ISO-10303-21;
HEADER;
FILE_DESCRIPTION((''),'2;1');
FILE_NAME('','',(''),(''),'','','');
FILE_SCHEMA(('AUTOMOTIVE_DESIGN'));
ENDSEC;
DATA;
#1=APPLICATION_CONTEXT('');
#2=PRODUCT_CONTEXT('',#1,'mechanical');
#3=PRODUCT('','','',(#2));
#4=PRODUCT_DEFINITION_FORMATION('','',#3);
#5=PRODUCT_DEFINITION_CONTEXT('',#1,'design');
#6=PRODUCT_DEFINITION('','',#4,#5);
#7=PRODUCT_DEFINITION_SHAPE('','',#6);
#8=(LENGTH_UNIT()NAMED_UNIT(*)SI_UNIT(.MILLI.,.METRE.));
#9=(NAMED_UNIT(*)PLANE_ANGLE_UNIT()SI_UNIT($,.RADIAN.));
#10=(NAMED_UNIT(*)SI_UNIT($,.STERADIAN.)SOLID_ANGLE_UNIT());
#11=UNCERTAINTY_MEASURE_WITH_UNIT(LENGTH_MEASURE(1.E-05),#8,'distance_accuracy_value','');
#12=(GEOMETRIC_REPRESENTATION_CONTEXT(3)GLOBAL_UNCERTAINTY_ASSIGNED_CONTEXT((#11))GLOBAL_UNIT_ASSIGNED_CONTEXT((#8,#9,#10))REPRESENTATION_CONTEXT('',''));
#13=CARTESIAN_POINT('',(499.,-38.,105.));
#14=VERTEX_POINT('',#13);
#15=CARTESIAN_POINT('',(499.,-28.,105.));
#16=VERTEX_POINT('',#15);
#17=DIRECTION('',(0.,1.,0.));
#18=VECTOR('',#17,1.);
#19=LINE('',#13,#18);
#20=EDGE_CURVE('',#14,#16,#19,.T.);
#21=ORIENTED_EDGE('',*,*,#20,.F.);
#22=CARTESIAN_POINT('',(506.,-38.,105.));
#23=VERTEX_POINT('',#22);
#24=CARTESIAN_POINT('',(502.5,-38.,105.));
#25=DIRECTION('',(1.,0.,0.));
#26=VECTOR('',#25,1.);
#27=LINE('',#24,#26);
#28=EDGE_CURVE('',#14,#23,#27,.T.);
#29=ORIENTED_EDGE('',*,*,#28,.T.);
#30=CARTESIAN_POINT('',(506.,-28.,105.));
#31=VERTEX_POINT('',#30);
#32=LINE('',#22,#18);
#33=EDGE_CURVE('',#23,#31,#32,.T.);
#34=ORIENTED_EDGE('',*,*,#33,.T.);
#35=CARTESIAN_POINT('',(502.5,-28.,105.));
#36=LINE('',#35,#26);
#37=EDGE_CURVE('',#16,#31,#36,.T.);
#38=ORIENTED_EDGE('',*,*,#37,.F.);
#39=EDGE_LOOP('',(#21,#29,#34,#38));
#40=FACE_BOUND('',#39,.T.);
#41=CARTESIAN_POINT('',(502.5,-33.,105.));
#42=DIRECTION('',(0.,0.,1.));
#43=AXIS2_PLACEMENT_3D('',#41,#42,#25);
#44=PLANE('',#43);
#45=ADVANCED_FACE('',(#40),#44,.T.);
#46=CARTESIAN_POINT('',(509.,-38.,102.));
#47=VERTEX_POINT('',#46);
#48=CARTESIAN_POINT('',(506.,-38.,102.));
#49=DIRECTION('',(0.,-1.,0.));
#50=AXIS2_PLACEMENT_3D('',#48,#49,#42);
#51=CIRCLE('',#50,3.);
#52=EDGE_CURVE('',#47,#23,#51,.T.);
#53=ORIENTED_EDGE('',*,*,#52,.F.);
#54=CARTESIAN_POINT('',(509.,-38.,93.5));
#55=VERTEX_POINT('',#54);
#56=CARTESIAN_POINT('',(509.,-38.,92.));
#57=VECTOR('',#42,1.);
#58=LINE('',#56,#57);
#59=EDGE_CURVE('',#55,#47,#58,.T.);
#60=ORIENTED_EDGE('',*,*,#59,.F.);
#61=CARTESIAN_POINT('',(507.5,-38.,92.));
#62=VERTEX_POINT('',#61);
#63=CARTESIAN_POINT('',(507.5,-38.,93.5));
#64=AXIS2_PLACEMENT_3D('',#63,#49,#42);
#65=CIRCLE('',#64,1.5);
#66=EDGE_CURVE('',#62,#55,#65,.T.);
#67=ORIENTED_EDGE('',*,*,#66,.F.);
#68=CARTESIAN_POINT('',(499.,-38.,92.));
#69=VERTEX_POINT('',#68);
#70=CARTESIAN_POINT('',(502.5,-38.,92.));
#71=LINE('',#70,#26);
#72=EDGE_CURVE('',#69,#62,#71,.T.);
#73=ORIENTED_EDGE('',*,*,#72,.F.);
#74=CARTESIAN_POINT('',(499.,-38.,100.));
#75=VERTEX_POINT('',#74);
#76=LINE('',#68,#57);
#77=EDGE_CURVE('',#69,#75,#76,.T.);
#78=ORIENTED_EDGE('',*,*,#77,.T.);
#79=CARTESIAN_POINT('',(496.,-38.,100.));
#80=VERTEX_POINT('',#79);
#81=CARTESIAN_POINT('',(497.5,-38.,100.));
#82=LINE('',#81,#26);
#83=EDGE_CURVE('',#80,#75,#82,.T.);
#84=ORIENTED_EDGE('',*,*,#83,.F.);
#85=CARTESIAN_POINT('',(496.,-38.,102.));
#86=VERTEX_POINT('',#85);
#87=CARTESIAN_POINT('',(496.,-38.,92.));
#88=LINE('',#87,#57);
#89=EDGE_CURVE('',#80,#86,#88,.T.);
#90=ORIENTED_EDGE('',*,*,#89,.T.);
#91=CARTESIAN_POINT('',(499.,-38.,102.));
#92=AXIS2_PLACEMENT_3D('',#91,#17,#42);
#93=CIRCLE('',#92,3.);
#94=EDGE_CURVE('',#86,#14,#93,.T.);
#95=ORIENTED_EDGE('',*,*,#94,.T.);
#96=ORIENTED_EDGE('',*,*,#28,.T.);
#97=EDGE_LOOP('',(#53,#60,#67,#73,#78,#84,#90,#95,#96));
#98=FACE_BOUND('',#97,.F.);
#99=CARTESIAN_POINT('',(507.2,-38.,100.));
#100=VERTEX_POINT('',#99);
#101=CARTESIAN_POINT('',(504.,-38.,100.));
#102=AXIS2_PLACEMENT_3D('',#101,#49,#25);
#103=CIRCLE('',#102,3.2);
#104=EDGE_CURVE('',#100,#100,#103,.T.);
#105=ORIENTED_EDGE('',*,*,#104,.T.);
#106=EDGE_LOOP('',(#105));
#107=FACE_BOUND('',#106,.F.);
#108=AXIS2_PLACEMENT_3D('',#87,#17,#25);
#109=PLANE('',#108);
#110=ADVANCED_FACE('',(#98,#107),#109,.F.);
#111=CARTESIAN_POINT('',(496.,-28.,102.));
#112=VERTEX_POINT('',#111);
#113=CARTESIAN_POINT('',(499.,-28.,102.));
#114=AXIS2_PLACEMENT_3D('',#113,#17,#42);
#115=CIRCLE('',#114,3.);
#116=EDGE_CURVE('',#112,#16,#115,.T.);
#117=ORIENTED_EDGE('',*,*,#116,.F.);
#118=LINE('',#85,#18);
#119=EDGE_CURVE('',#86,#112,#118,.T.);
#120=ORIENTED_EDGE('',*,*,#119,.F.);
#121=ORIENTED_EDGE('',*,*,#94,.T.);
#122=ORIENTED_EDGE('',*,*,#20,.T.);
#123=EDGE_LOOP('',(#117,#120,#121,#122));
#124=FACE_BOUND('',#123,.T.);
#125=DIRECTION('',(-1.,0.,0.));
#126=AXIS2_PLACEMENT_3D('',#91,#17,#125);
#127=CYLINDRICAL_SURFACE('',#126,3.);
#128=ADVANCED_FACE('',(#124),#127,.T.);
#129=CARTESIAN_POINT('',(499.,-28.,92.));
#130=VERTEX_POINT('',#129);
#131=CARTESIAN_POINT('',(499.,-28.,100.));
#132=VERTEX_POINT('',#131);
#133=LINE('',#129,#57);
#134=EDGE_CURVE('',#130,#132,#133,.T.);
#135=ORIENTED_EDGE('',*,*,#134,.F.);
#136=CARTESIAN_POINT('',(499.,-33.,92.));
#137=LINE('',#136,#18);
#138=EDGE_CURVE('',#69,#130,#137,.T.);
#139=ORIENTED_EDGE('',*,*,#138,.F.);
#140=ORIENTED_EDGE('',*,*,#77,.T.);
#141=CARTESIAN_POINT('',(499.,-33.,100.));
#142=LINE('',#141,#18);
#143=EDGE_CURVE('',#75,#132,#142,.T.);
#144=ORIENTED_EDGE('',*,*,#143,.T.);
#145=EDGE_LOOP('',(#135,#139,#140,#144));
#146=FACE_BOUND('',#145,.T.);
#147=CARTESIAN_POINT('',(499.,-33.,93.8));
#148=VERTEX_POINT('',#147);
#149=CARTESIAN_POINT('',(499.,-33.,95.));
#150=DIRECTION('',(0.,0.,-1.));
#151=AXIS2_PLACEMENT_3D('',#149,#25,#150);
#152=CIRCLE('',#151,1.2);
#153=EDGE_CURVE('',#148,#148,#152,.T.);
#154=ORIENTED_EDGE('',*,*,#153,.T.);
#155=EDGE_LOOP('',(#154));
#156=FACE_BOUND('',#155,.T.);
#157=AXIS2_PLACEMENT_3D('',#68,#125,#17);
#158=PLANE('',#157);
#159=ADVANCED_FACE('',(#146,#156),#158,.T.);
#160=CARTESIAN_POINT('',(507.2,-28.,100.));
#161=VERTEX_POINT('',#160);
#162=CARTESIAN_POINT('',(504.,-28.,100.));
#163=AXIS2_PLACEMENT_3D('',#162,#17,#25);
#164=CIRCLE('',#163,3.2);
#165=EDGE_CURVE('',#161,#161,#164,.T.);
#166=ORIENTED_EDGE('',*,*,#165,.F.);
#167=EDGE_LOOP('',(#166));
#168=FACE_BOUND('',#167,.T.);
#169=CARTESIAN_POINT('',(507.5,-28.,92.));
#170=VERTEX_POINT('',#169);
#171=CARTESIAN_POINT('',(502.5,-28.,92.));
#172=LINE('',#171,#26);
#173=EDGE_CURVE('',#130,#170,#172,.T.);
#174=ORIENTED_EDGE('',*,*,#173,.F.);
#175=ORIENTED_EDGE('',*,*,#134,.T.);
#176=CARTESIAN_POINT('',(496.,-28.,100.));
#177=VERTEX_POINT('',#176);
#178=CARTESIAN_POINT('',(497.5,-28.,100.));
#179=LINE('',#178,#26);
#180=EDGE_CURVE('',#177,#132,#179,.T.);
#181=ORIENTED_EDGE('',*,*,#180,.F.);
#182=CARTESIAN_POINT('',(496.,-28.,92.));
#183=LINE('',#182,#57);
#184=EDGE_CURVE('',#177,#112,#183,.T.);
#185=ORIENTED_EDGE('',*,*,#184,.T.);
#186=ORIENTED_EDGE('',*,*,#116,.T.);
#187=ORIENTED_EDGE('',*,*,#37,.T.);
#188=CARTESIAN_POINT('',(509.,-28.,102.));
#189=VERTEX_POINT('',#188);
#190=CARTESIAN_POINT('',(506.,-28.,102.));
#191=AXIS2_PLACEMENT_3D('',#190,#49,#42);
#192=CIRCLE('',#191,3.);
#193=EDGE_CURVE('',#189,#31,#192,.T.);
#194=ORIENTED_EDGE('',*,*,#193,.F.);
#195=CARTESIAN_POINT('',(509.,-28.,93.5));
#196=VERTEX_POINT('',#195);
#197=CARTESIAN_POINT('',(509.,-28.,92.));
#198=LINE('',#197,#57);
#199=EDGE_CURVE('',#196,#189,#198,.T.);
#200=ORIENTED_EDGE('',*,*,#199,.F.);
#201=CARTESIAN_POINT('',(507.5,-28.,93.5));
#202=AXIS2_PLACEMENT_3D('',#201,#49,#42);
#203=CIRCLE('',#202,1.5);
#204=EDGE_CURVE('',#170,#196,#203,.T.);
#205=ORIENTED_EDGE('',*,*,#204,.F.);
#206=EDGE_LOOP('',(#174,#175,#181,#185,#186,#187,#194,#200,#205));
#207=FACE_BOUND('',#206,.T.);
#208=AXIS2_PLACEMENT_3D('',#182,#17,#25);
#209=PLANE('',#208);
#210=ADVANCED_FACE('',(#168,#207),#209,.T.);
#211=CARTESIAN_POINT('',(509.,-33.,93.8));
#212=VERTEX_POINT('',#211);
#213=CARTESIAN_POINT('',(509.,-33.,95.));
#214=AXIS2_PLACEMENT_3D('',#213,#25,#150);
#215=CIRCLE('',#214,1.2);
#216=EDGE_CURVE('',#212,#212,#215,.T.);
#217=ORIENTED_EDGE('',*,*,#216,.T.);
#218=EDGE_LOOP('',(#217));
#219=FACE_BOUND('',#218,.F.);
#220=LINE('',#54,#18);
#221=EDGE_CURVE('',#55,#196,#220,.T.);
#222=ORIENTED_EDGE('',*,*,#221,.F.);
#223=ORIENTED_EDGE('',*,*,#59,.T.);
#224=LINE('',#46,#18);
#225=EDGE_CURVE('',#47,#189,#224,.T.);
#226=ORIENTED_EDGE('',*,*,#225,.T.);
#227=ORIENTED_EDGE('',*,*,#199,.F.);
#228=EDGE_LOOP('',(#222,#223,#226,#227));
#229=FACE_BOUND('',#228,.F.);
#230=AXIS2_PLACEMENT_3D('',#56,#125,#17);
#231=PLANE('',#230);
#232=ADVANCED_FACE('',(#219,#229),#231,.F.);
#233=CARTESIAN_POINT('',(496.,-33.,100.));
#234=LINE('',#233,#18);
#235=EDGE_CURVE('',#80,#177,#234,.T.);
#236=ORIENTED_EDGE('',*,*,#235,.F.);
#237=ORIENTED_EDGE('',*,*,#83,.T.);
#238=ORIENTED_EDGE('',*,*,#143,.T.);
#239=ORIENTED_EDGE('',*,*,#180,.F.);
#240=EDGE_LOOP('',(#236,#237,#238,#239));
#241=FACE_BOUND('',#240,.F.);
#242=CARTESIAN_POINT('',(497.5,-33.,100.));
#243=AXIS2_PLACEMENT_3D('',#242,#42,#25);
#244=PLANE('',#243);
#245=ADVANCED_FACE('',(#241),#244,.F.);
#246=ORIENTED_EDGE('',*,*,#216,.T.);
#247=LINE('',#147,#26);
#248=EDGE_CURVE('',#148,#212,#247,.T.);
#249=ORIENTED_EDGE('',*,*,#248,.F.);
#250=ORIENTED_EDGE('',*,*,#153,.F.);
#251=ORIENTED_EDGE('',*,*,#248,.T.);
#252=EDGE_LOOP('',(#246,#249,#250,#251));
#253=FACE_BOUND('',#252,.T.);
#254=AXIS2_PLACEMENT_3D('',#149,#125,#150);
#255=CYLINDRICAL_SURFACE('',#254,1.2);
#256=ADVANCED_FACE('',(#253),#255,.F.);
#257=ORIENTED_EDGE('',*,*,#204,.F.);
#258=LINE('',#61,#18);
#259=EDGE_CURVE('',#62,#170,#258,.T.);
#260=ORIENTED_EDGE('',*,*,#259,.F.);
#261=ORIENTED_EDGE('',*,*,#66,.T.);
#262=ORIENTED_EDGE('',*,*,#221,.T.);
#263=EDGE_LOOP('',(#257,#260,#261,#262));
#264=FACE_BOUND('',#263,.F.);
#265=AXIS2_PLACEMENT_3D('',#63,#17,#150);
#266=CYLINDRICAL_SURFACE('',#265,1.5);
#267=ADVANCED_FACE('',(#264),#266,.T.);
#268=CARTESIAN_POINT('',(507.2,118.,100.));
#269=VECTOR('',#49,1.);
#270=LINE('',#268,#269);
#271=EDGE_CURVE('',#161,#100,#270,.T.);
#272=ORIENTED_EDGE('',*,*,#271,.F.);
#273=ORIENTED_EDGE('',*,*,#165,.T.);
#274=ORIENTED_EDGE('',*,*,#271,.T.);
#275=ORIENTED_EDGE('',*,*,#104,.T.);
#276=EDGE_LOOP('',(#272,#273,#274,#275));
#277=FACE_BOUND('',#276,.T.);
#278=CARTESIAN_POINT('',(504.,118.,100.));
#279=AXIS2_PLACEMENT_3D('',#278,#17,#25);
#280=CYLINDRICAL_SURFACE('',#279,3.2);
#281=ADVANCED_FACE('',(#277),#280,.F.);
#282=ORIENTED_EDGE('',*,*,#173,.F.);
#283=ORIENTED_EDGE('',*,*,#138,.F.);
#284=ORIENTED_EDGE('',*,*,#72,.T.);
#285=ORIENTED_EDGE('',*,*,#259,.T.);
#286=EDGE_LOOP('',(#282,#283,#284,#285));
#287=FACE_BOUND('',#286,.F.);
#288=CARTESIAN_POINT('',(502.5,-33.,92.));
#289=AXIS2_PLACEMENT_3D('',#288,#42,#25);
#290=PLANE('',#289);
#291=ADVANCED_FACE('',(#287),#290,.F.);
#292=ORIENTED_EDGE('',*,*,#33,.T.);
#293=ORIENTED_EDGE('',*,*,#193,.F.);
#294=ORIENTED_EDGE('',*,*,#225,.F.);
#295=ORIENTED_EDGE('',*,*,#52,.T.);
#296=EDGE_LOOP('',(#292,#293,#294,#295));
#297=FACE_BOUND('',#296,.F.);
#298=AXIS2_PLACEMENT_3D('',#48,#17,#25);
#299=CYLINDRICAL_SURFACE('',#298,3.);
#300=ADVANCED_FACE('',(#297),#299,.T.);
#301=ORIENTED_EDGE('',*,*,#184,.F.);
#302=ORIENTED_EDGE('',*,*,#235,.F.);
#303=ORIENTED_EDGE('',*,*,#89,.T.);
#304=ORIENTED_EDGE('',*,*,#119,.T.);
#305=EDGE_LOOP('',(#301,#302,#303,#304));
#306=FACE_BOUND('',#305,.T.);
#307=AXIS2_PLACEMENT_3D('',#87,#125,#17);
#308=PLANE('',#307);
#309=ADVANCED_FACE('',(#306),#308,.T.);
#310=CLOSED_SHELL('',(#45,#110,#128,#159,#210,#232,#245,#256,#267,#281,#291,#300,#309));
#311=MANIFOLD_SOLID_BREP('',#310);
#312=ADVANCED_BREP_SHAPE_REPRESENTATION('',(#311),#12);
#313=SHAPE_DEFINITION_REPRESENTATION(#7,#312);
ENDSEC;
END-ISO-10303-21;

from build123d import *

# Parameters (mm, degrees)
CYLINDER044_R           = 3.2
CYLINDER044_DEPTH       = 156
CYLINDER044_ROLL_ANGLE  = 90
CYLINDER042_R           = 1.2
CYLINDER042_DEPTH       = 10
CYLINDER042_PITCH_ANGLE = 90
BOX028_W                = 3
BOX028_H                = 10
BOX028_DEPTH            = 8
BOX027_W                = 13
BOX027_H                = 10
BOX027_DEPTH            = 13
FILLET_R                = 3
FILLET001_R             = 1.5


with BuildPart() as cylinder044:
    # Cylinder044 → Cylinder044 (new body)
    with BuildSketch(Plane.XY):
        Circle(CYLINDER044_R)
    extrude(amount=CYLINDER044_DEPTH)


with BuildPart() as cylinder044_1:
    # Cylinder044 roll: moved
    add(cylinder044.part.rotate(Axis((0, 0, 0), (1, 0, 0)), CYLINDER044_ROLL_ANGLE))


with BuildPart() as cylinder044_2:
    # Cylinder044 placement: moved
    add(cylinder044_1.part.moved(Location((504, 118, 100))))


with BuildPart() as cylinder042:
    # Cylinder042 → Cylinder042 (new body)
    with BuildSketch(Plane.XY):
        Circle(CYLINDER042_R)
    extrude(amount=CYLINDER042_DEPTH)


with BuildPart() as cylinder042_1:
    # Cylinder042 pitch: moved
    add(cylinder042.part.rotate(Axis((0, 0, 0), (0, 1, 0)), CYLINDER042_PITCH_ANGLE))


with BuildPart() as cylinder042_2:
    # Cylinder042 placement: moved
    add(cylinder042_1.part.moved(Location((499, -33, 95))))


with BuildPart() as box028:
    # Box028 → Box028 (new body)
    with BuildSketch(Plane(origin=(499, -38, 92), x_dir=(1, 0, 0), z_dir=(0, 0, 1))):
        with Locations((1.5, 5)):
            Rectangle(BOX028_W, BOX028_H)
    extrude(amount=BOX028_DEPTH)


with BuildPart() as cut018:
    # Box027 → Box027 (new body)
    with BuildSketch(Plane(origin=(499, -38, 92), x_dir=(1, 0, 0), z_dir=(0, 0, 1))):
        with Locations((6.5, 5)):
            Rectangle(BOX027_W, BOX027_H)
    extrude(amount=BOX027_DEPTH)

    # Fillet
    fillet_edges = [cut018.edges().sort_by_distance(p)[0] for p in [
        (499, -33, 105),
        (512, -33, 105),
    ]]
    fillet(fillet_edges, radius=FILLET_R)

    # Fillet001
    fillet001_edges = [cut018.edges().sort_by_distance(p)[0] for p in [
        (512, -33, 92),
    ]]
    fillet(fillet001_edges, radius=FILLET001_R)

    # Cut016: cut Box028
    add(box028.part, mode=Mode.SUBTRACT)


with BuildPart() as cut018_1:
    # Cut016 placement: moved
    add(cut018.part.moved(Location((-3, 0, 0))))

    # Cut017: cut Cylinder042
    add(cylinder042_2.part, mode=Mode.SUBTRACT)

    # Cut018: cut Cylinder044
    add(cylinder044_2.part, mode=Mode.SUBTRACT)


solid = cut018_1.part
